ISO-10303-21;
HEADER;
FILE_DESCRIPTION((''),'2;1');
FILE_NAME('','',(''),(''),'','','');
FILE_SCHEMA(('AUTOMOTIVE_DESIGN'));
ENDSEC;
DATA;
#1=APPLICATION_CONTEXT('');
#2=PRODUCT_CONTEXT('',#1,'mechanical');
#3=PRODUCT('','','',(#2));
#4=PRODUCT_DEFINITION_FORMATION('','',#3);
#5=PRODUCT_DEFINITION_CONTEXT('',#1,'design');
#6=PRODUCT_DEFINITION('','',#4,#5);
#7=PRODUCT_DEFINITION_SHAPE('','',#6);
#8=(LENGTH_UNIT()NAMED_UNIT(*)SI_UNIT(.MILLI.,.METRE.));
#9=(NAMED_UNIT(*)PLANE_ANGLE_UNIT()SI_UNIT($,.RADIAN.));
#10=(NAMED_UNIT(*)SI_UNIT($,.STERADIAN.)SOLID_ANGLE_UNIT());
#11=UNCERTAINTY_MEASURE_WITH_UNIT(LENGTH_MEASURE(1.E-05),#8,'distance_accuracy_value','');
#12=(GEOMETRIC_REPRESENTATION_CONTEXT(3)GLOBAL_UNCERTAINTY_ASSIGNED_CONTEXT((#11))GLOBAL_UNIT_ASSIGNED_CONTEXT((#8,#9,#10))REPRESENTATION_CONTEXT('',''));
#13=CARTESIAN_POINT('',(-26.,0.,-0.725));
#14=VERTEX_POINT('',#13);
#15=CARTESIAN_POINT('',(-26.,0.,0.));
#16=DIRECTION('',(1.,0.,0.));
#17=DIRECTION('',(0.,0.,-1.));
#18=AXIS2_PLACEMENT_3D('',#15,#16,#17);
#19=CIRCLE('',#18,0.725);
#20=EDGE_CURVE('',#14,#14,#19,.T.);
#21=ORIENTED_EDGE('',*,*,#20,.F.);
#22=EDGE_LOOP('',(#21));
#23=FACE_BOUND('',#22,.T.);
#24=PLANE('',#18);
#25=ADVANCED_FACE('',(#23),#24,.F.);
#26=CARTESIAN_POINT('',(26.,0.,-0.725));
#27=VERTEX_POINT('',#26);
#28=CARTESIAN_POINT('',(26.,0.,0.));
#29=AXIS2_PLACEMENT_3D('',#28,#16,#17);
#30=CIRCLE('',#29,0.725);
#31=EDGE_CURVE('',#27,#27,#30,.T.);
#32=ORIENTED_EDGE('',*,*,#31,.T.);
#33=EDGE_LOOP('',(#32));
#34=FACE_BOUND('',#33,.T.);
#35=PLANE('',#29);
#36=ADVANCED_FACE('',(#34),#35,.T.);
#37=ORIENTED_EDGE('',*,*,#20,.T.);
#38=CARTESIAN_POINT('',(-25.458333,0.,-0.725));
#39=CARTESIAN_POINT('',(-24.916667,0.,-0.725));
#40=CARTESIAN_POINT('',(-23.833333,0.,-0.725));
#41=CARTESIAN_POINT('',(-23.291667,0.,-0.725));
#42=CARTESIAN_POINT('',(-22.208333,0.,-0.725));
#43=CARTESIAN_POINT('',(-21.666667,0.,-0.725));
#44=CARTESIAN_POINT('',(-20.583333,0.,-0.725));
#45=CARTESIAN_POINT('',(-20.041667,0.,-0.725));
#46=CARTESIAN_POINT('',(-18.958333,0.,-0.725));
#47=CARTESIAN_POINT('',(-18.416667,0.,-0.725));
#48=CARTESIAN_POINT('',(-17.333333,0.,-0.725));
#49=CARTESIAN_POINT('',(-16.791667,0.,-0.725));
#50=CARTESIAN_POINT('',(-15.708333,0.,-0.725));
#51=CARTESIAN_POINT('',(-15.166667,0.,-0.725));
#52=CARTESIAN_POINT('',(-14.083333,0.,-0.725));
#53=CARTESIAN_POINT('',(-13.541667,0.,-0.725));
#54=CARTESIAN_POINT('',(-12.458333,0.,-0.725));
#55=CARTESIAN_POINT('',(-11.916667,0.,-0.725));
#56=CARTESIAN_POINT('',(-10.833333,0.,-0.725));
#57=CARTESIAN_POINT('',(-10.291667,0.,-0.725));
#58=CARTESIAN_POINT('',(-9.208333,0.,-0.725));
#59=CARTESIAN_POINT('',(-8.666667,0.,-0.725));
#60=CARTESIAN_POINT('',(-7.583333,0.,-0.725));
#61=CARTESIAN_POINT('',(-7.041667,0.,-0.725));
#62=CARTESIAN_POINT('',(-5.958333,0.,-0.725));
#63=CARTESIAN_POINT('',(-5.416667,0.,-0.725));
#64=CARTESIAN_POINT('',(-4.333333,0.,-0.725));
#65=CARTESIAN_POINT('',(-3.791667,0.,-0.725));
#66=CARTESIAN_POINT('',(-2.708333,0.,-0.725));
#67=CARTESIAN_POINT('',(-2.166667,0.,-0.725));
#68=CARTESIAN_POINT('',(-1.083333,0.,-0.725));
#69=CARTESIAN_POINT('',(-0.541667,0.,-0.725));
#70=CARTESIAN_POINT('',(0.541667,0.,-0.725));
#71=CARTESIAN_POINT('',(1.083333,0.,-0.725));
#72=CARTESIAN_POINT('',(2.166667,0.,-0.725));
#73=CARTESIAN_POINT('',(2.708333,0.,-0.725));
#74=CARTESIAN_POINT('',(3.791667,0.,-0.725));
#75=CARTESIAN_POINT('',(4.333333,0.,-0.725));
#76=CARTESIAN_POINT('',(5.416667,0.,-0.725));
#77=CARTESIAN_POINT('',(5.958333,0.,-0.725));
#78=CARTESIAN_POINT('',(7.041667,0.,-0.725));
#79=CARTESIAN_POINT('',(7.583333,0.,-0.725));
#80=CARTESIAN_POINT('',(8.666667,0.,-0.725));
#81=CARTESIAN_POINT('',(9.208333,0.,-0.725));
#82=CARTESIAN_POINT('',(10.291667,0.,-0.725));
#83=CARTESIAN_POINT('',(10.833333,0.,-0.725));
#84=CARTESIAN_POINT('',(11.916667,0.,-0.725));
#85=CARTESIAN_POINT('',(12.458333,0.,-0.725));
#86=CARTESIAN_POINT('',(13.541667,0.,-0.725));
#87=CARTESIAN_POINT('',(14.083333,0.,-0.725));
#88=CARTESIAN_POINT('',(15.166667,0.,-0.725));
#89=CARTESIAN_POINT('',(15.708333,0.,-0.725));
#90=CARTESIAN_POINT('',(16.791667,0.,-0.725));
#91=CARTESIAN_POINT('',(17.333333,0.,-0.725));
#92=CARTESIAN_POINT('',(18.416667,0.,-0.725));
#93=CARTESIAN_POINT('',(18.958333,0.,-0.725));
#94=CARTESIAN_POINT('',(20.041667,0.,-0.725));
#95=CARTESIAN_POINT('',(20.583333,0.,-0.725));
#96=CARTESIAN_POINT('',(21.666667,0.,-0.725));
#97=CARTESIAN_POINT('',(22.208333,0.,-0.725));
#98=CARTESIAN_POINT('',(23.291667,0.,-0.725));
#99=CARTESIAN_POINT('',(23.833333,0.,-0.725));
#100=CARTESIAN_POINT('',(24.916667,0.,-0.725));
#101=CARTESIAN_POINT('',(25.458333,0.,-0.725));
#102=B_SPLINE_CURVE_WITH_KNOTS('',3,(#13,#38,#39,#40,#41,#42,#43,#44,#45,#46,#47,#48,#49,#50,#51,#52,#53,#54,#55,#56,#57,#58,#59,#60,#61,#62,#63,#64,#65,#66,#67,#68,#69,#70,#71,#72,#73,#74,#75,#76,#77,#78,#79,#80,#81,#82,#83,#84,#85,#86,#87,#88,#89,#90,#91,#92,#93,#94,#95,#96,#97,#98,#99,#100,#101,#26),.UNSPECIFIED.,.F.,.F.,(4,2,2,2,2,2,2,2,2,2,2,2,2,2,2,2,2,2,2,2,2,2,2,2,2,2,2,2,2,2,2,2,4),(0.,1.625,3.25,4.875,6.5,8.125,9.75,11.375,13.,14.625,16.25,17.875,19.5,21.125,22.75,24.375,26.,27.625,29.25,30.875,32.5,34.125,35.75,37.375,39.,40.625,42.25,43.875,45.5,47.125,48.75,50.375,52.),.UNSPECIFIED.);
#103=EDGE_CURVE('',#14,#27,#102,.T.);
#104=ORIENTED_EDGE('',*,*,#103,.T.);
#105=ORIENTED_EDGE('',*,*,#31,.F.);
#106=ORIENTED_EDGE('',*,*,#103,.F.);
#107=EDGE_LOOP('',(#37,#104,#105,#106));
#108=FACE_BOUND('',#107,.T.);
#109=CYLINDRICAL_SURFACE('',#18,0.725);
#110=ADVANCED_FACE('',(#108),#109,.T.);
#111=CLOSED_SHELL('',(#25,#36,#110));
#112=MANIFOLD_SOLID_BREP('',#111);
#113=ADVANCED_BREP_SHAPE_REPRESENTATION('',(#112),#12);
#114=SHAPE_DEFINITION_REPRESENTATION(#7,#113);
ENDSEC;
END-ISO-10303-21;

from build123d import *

# Parameters (mm, degrees)
BOSS_EXTRUDE1_DEPTH      = 26
BOSS_EXTRUDE1_DEPTH_BACK = 26
SKETCH1_R                = 0.725


with BuildPart() as part:
    # Sketch1 → Boss-Extrude1 (new, two sides: drawn at the far end of the back side and taken through both)
    with BuildSketch(Plane(origin=(0, 0, 0), x_dir=(0, 0, -1), z_dir=(1, 0, 0)).offset(-BOSS_EXTRUDE1_DEPTH_BACK)):
        Circle(SKETCH1_R)
    extrude(amount=BOSS_EXTRUDE1_DEPTH + BOSS_EXTRUDE1_DEPTH_BACK)


solid = part.part
